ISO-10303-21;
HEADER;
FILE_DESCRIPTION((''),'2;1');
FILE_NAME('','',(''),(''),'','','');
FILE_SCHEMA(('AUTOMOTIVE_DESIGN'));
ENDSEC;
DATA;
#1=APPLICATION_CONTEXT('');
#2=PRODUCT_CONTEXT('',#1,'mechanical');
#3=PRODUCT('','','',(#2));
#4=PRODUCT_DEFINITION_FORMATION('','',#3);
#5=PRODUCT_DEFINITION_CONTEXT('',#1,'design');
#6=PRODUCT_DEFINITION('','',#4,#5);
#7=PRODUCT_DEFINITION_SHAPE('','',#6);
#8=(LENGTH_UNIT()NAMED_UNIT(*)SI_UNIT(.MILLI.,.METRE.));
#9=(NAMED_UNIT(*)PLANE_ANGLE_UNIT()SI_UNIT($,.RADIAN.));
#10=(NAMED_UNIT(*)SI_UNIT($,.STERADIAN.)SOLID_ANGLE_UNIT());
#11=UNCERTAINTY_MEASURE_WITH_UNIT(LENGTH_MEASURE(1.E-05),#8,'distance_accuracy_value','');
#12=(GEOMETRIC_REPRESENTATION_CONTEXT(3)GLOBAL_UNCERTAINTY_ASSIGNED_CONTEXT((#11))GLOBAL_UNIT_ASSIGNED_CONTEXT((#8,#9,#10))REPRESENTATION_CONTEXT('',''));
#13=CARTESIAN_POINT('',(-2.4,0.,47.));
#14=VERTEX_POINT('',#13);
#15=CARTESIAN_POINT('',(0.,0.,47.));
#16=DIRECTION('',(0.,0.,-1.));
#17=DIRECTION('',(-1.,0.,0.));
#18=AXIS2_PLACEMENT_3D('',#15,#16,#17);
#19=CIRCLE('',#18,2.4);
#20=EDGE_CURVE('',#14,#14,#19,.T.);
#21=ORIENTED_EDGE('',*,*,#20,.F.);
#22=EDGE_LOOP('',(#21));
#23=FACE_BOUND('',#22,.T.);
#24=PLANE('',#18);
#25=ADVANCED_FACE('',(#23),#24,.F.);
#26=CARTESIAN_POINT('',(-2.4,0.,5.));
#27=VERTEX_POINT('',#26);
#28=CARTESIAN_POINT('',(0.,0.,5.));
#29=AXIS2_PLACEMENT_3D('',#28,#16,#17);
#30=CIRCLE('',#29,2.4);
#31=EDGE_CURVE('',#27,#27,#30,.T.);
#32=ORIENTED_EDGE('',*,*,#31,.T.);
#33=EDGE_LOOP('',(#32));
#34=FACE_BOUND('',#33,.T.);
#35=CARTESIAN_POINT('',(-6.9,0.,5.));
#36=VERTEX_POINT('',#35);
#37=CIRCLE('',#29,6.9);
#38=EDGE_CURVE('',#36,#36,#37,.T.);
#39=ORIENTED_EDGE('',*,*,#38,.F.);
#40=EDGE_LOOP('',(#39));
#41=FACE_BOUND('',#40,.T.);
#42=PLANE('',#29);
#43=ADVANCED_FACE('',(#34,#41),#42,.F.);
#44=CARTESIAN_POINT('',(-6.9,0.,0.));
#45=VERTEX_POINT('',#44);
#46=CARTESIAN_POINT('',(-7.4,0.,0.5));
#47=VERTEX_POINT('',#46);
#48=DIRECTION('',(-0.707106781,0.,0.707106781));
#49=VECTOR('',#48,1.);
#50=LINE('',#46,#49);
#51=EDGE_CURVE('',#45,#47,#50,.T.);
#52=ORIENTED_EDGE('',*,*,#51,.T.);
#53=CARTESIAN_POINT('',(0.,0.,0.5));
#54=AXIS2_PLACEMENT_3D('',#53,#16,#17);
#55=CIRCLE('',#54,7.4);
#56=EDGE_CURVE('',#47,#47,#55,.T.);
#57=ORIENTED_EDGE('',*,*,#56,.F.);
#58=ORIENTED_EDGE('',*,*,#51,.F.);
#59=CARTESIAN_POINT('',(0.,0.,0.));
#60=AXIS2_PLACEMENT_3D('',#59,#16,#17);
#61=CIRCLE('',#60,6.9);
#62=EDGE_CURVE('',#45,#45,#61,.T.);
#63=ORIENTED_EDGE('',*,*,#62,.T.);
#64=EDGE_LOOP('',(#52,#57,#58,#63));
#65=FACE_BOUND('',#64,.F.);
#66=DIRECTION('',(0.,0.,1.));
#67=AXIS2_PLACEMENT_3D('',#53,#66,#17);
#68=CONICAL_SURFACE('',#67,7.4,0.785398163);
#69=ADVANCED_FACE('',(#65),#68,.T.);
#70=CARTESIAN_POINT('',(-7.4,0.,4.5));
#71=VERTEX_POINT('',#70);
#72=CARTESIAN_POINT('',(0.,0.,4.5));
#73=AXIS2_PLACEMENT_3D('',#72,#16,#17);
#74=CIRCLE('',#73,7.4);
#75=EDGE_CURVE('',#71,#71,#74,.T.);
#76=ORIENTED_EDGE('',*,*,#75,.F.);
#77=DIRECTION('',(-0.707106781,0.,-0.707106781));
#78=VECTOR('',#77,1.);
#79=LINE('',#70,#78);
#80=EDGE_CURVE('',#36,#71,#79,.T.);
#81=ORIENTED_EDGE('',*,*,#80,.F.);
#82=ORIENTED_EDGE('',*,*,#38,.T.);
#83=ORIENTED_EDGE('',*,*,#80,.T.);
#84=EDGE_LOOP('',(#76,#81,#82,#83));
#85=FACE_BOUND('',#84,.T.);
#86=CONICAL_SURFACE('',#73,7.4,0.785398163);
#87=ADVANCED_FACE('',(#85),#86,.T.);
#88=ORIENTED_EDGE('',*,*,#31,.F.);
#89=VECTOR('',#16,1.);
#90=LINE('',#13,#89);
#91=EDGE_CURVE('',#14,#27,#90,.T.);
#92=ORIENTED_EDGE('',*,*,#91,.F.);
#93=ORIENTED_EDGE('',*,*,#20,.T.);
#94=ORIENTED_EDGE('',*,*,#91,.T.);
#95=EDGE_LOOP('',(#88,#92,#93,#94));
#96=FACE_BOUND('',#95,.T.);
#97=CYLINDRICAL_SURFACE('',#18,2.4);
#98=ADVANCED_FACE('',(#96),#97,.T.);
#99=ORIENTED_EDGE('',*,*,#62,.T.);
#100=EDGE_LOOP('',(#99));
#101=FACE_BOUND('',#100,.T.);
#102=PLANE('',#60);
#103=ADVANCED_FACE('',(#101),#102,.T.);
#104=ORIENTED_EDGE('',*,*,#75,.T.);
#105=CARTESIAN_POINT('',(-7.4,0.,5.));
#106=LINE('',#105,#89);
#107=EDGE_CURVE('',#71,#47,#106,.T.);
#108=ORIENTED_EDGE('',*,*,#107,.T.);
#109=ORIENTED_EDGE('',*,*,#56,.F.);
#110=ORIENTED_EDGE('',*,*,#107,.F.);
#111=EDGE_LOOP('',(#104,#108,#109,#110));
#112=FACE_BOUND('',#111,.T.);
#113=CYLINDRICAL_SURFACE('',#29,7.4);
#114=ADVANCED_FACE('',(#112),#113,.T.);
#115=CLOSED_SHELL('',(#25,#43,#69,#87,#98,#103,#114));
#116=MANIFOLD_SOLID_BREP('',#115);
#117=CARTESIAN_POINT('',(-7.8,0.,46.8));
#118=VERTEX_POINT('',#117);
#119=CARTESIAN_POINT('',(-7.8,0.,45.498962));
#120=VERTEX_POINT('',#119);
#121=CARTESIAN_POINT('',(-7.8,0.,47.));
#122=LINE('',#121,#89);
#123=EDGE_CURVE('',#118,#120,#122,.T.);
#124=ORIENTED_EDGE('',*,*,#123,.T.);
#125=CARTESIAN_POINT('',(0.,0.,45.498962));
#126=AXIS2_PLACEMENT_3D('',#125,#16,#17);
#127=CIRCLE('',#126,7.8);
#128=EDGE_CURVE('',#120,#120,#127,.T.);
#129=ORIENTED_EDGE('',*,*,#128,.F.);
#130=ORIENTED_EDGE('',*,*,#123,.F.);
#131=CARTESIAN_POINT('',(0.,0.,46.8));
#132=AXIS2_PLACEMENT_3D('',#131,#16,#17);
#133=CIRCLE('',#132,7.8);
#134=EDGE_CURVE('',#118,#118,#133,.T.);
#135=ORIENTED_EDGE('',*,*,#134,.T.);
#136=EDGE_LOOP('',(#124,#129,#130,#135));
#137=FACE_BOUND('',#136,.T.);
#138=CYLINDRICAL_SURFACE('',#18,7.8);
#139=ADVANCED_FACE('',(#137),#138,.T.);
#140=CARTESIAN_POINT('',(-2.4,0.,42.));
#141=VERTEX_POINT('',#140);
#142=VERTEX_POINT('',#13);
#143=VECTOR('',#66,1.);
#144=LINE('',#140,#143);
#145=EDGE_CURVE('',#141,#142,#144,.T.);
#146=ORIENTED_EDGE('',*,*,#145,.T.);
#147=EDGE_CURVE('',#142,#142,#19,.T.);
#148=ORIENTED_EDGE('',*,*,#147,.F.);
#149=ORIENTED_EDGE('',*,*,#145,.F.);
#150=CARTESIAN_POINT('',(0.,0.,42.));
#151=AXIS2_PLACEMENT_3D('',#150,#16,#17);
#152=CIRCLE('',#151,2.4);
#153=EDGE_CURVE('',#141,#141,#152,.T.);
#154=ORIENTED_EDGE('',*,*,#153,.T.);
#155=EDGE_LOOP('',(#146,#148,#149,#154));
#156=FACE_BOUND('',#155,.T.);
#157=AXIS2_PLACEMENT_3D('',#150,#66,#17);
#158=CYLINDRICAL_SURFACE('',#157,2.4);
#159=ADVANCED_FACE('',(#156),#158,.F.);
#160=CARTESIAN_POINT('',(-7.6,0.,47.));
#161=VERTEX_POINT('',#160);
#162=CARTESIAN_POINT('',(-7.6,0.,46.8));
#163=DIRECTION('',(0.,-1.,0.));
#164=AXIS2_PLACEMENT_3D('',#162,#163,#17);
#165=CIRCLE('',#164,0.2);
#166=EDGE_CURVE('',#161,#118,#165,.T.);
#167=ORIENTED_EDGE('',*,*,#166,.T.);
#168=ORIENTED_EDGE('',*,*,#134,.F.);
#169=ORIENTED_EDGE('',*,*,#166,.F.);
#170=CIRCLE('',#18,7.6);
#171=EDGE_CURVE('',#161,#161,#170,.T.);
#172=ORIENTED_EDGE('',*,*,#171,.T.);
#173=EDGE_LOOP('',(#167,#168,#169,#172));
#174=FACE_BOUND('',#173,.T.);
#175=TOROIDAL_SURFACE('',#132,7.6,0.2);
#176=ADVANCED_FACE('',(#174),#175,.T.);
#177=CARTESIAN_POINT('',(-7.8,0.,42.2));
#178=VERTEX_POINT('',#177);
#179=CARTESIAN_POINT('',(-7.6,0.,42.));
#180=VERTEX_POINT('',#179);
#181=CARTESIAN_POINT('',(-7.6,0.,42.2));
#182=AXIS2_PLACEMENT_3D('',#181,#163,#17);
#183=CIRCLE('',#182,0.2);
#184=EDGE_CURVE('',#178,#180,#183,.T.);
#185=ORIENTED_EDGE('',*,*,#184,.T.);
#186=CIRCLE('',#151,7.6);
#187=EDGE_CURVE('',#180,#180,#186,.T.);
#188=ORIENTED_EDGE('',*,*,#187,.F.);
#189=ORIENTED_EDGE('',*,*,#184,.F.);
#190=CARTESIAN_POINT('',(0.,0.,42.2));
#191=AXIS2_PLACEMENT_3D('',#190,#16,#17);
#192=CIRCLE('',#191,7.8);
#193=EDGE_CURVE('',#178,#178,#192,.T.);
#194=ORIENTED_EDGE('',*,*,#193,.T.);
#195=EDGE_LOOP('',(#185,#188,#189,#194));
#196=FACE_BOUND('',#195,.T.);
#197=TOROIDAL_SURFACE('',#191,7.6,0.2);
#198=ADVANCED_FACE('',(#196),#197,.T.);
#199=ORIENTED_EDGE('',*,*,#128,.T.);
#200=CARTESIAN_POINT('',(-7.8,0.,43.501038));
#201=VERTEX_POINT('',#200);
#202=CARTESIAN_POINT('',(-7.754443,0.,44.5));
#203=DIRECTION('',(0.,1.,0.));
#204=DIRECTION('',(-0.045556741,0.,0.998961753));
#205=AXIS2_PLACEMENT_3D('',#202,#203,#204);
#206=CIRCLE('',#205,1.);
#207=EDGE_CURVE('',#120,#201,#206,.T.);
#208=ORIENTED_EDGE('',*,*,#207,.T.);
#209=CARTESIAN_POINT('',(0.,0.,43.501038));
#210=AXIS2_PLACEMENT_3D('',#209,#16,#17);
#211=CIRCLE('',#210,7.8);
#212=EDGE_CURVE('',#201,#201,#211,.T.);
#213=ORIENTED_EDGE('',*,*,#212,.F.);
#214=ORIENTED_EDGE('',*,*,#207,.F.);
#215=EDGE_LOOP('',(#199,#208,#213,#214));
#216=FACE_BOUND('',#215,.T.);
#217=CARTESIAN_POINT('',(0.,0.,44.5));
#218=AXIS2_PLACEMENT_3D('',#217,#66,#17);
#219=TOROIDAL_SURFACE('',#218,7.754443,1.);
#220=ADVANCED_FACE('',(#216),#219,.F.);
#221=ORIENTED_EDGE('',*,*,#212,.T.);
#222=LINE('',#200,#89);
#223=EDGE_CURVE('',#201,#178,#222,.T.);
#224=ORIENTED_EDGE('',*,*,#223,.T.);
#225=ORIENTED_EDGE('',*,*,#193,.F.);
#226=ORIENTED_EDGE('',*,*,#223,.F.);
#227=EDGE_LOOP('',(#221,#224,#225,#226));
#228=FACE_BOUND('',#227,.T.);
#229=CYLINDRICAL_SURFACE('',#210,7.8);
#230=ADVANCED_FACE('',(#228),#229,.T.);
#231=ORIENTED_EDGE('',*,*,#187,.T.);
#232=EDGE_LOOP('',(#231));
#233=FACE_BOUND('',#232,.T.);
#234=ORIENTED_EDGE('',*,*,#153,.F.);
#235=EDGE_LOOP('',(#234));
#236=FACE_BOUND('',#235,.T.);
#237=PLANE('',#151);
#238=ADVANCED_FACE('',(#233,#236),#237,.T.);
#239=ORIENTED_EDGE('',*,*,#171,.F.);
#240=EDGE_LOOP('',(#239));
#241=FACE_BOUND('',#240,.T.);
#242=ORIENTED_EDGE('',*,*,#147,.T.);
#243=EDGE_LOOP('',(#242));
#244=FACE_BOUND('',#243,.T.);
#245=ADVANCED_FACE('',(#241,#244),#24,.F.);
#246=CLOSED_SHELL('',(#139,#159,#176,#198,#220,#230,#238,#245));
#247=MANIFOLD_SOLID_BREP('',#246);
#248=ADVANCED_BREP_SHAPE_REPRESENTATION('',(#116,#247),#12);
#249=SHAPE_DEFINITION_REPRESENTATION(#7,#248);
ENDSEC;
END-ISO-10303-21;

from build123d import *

# Parameters (mm, degrees)
F2_SIZE = 0.5
F4_R    = 0.2


with BuildPart() as f1:
    # F0 (on Front) → F1 (revolve)
    with BuildSketch(Plane.XZ):
        Polygon((-7.4, 0), (0, 0), (0, 47), (-2.4, 47), (-2.4, 42), (-2.4, 5), (-7.4, 5), align=None)
    revolve(axis=Axis((0, 0, 23.5), (0, 0, -1)))

    # F2
    f2_edges = [f1.edges().sort_by_distance(p)[0] for p in [
        (7.4, 0, 5),
        (7.4, 0, 0),
    ]]
    chamfer(f2_edges, length=F2_SIZE)


with BuildPart() as f3:
    # F0 (on Front) → F3 (revolve)
    with BuildSketch(Plane.XZ):
        with BuildLine():
            Line((-2.4, 42), (-2.4, 47))
            Line((-2.4, 47), (-7.8, 47))
            Line((-7.8, 47), (-7.8, 45.498962))
            ThreePointArc((-7.8, 45.498962), (-6.754443, 44.5), (-7.8, 43.501038))
            Line((-7.8, 43.501038), (-7.8, 42))
            Line((-7.8, 42), (-2.4, 42))
        make_face()
    revolve(axis=Axis((0, 0, 23.5), (0, 0, -1)))

    # F4
    f4_edges = [f3.edges().sort_by_distance(p)[0] for p in [
        (7.8, 0, 47),
        (7.8, 0, 42),
    ]]
    fillet(f4_edges, radius=F4_R)


solid = Compound([f1.part, f3.part])
